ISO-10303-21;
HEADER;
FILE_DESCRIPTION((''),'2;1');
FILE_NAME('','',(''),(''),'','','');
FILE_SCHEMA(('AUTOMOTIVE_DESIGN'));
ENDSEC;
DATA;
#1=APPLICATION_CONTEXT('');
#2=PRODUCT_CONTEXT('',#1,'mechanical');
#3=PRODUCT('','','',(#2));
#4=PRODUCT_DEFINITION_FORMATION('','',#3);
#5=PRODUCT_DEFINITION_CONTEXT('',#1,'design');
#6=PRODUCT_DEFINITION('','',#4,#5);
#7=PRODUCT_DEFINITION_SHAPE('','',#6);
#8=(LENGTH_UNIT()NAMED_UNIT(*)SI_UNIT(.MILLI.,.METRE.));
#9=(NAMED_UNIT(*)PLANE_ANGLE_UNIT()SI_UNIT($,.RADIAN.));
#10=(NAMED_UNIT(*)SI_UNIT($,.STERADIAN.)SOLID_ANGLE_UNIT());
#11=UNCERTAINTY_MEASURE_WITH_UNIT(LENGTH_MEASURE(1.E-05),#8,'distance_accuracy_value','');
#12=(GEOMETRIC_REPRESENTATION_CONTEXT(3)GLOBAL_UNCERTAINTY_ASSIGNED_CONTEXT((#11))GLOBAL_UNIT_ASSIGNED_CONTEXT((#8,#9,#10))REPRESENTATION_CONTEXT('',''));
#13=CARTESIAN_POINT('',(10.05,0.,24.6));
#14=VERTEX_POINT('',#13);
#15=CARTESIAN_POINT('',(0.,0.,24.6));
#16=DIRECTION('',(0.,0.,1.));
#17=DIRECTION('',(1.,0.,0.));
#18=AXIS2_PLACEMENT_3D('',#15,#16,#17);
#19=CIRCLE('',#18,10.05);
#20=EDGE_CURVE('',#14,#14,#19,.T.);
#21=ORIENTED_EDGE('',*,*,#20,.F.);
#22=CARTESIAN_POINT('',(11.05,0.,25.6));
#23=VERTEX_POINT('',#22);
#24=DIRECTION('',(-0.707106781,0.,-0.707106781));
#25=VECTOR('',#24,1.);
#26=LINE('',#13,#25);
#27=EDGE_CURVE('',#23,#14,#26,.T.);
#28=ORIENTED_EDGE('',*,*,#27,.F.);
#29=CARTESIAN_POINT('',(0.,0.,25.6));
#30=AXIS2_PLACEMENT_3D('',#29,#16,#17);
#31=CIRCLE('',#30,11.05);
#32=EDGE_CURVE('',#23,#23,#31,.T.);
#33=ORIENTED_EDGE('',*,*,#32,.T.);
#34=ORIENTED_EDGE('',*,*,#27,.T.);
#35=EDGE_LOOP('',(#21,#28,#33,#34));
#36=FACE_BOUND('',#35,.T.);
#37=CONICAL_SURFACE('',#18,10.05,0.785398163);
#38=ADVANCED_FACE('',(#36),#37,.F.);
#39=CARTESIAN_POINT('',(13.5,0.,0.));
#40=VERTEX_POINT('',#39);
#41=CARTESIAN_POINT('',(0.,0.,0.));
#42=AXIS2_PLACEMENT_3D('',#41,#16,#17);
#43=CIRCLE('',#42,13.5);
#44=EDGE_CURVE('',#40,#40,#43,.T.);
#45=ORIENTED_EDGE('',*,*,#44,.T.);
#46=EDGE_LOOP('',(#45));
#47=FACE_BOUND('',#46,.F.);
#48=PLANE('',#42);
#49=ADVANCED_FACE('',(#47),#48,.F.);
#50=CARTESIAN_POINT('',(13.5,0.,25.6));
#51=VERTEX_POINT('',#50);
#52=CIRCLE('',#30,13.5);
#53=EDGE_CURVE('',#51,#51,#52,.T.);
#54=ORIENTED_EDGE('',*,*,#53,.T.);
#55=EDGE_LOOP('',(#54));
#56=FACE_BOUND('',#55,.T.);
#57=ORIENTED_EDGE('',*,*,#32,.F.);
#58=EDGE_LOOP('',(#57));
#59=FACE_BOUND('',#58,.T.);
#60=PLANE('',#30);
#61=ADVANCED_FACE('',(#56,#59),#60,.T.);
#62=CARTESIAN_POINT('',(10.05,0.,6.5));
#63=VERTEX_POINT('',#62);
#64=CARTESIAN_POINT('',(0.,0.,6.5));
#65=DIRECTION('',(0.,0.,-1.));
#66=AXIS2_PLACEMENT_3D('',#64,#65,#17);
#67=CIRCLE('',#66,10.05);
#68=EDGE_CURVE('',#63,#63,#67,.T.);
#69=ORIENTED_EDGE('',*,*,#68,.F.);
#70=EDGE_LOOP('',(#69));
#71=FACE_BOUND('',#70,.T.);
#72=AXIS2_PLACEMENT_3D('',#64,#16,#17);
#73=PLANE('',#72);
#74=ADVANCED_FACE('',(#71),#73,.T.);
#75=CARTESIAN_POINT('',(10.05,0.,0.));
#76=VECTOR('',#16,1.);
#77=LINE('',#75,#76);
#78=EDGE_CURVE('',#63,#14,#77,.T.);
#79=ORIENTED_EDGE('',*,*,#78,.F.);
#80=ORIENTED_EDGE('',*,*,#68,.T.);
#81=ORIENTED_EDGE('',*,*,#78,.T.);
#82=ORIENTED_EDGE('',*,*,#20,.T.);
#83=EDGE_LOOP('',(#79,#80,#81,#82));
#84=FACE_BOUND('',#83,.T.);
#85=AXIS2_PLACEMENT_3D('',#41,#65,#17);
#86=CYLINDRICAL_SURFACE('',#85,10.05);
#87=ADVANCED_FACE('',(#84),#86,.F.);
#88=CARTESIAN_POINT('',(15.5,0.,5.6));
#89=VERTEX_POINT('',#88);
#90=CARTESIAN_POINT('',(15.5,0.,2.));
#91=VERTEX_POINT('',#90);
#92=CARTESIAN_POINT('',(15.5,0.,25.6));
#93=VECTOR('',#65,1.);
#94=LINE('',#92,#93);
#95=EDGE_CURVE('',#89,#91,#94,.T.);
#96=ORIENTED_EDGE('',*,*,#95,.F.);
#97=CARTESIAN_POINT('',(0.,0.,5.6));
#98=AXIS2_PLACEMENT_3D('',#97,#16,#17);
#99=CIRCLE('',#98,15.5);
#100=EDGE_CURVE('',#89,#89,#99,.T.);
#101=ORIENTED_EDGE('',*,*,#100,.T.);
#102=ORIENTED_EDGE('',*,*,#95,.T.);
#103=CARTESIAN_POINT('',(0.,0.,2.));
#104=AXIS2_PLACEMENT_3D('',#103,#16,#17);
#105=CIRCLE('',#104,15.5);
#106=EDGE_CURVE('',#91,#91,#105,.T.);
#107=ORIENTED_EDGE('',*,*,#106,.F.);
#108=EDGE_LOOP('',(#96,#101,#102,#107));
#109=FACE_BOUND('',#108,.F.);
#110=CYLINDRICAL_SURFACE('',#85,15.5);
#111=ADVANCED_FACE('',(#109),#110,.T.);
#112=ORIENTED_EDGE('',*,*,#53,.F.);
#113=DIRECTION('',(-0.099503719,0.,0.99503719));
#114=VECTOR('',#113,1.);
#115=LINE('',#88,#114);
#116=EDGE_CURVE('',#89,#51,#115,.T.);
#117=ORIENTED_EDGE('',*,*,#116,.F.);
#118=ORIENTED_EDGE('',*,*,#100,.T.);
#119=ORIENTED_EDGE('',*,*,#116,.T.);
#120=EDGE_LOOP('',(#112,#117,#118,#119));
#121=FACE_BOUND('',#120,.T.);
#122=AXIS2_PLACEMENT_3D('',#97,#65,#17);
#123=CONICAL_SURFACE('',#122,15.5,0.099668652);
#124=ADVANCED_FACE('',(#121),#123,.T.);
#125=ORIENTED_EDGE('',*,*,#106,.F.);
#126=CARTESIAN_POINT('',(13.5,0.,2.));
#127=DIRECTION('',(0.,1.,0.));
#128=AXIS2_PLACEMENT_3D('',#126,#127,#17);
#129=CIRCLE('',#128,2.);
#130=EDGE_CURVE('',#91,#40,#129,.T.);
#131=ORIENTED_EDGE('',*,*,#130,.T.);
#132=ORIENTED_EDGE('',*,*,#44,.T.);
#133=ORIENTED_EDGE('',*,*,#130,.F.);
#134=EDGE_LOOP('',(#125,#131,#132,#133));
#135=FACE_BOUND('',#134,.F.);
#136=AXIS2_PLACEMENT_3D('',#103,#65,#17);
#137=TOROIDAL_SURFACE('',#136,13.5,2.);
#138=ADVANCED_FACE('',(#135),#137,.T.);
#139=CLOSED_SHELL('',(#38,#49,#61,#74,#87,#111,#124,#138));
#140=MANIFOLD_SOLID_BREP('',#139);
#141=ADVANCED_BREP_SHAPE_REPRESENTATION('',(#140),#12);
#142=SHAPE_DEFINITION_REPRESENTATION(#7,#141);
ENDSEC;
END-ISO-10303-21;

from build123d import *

# Parameters (mm, degrees)
F0_R     = 15.5
F0_R_2   = 10.05
F1_DEPTH = 6.5
F2_DEPTH = 25.6
F3_R     = 2
F4_SIZE2 = 2
F4_SIZE  = 20
F5_SIZE  = 1


with BuildPart() as f1:
    # F0 (on Top) → F1 (new body)
    with BuildSketch(Plane.XY):
        Circle(F0_R)
        Circle(F0_R_2, mode=Mode.SUBTRACT)
        Circle(F0_R_2)
    extrude(amount=F1_DEPTH)

    # F0 (on Top) → F2 (join)
    with BuildSketch(Plane.XY):
        Circle(F0_R)
        Circle(F0_R_2, mode=Mode.SUBTRACT)
    extrude(amount=F2_DEPTH)

    # F3
    f3_edges = [f1.edges().sort_by_distance(p)[0] for p in [
        (-15.5, 0, 0),
    ]]
    fillet(f3_edges, radius=F3_R)

    # F4
    f4_edges = [f1.edges().sort_by_distance(p)[0] for p in [
        (15.5, 0, 13.8),
        (-15.5, 0, 2),
        (-15.5, 0, 25.6),
    ]]
    f4_side = f1.faces().sort_by_distance((-15.5, 0, 13.8))[0]
    chamfer(f4_edges, length=F4_SIZE, length2=F4_SIZE2, reference=f4_side)

    # F5
    f5_edges = [f1.edges().sort_by_distance(p)[0] for p in [
        (-10.05, 0, 25.6),
    ]]
    chamfer(f5_edges, length=F5_SIZE)


solid = f1.part
